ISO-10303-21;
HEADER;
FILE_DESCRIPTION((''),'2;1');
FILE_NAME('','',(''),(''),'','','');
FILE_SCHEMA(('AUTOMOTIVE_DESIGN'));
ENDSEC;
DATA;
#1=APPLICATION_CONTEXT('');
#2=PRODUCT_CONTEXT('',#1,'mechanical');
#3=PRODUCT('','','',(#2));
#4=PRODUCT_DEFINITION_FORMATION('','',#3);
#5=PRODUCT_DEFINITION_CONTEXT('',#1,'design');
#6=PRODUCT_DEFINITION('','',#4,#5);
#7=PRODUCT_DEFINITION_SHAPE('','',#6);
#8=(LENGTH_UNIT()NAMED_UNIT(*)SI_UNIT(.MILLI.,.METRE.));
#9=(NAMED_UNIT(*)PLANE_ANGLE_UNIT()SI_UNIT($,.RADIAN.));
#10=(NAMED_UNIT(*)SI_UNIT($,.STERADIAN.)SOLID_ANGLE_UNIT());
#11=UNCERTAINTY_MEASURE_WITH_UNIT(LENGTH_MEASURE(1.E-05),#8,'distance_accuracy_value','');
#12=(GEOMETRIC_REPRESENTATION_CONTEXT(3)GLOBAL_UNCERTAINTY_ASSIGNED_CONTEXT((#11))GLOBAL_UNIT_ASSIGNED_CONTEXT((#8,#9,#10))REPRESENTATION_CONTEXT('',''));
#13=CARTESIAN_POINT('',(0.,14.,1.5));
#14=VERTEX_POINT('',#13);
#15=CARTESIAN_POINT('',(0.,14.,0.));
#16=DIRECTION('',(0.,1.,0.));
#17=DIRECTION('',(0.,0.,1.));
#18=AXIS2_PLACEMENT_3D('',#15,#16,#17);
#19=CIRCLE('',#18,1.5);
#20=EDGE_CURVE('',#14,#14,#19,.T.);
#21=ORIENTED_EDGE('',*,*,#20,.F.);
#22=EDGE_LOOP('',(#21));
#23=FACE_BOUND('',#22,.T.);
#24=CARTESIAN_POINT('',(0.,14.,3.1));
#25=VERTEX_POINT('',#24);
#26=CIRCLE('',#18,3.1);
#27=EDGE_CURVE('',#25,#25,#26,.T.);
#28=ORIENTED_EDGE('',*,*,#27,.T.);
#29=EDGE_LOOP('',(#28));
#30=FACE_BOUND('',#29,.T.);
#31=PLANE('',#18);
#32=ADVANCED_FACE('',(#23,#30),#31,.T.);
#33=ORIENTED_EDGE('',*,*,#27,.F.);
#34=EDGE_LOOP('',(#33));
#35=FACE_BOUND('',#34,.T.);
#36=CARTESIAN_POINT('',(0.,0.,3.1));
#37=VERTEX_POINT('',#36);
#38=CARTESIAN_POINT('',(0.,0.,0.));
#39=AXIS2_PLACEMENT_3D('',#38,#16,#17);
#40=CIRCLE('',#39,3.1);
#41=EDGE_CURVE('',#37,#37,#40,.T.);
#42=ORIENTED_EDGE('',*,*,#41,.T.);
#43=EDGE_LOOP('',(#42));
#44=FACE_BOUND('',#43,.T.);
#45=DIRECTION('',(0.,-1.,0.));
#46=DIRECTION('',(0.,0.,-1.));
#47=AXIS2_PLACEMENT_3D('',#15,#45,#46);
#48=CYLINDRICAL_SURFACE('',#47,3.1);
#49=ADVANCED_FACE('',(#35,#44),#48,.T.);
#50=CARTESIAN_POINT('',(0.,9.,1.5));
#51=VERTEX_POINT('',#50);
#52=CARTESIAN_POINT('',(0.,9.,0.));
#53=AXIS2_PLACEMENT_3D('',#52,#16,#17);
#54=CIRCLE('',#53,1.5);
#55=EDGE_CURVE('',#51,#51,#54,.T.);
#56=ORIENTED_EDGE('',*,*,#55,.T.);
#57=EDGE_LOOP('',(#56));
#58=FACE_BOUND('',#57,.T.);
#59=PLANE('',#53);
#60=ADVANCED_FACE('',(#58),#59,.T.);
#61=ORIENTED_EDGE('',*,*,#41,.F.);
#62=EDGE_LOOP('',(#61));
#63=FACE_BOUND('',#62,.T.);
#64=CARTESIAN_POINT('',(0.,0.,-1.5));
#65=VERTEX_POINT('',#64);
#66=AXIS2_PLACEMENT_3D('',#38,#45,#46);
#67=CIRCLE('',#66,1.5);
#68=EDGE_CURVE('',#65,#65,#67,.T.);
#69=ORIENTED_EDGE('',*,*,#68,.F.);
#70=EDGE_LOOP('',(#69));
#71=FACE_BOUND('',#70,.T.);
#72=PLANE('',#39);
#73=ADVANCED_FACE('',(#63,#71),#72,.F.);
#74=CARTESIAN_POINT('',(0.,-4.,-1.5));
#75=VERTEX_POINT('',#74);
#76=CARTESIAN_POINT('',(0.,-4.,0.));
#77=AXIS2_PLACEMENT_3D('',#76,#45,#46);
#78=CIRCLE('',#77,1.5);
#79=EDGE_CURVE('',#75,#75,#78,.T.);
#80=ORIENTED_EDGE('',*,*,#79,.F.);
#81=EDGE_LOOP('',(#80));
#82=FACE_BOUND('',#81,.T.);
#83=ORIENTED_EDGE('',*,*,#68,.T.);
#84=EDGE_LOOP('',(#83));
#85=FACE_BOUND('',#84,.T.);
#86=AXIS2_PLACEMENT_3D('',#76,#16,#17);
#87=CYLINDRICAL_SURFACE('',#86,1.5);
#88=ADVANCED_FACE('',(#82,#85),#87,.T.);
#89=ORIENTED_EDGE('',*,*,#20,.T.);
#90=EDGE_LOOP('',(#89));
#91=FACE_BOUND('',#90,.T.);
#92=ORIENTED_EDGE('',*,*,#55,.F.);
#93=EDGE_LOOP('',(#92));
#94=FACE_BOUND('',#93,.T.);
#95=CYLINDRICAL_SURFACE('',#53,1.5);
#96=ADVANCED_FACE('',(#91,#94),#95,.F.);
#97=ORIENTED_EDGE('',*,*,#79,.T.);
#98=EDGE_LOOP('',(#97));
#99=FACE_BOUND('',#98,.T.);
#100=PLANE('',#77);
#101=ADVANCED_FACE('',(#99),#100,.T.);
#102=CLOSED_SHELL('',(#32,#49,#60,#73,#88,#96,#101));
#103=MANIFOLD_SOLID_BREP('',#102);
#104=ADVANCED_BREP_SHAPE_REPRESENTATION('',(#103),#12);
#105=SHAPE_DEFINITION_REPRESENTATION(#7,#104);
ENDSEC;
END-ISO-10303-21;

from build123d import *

# Parameters (mm, degrees)
SKETCH1_R           = 3.1
BOSS_EXTRUDE1_DEPTH = 14
SKETCH2_R           = 1.5
CUT_EXTRUDE1_DEPTH  = 5
SKETCH3_R           = 1.5
BOSS_EXTRUDE2_DEPTH = 4


with BuildPart() as part:
    # Sketch1 → Boss-Extrude1 (new body)
    with BuildSketch(Plane(origin=(0, 0, 0), x_dir=(1, 0, 0), z_dir=(0, 1, 0))):
        Circle(SKETCH1_R)
    extrude(amount=BOSS_EXTRUDE1_DEPTH)

    # Sketch2 → Cut-Extrude1 (cut)
    with BuildSketch(Plane(origin=(0, 14, 0), x_dir=(1, 0, 0), z_dir=(0, 1, 0))):
        Circle(SKETCH2_R)
    extrude(amount=-CUT_EXTRUDE1_DEPTH, mode=Mode.SUBTRACT)

    # Sketch3 → Boss-Extrude2 (add)
    with BuildSketch(Plane.XZ):
        Circle(SKETCH3_R)
    extrude(amount=BOSS_EXTRUDE2_DEPTH)


solid = part.part
